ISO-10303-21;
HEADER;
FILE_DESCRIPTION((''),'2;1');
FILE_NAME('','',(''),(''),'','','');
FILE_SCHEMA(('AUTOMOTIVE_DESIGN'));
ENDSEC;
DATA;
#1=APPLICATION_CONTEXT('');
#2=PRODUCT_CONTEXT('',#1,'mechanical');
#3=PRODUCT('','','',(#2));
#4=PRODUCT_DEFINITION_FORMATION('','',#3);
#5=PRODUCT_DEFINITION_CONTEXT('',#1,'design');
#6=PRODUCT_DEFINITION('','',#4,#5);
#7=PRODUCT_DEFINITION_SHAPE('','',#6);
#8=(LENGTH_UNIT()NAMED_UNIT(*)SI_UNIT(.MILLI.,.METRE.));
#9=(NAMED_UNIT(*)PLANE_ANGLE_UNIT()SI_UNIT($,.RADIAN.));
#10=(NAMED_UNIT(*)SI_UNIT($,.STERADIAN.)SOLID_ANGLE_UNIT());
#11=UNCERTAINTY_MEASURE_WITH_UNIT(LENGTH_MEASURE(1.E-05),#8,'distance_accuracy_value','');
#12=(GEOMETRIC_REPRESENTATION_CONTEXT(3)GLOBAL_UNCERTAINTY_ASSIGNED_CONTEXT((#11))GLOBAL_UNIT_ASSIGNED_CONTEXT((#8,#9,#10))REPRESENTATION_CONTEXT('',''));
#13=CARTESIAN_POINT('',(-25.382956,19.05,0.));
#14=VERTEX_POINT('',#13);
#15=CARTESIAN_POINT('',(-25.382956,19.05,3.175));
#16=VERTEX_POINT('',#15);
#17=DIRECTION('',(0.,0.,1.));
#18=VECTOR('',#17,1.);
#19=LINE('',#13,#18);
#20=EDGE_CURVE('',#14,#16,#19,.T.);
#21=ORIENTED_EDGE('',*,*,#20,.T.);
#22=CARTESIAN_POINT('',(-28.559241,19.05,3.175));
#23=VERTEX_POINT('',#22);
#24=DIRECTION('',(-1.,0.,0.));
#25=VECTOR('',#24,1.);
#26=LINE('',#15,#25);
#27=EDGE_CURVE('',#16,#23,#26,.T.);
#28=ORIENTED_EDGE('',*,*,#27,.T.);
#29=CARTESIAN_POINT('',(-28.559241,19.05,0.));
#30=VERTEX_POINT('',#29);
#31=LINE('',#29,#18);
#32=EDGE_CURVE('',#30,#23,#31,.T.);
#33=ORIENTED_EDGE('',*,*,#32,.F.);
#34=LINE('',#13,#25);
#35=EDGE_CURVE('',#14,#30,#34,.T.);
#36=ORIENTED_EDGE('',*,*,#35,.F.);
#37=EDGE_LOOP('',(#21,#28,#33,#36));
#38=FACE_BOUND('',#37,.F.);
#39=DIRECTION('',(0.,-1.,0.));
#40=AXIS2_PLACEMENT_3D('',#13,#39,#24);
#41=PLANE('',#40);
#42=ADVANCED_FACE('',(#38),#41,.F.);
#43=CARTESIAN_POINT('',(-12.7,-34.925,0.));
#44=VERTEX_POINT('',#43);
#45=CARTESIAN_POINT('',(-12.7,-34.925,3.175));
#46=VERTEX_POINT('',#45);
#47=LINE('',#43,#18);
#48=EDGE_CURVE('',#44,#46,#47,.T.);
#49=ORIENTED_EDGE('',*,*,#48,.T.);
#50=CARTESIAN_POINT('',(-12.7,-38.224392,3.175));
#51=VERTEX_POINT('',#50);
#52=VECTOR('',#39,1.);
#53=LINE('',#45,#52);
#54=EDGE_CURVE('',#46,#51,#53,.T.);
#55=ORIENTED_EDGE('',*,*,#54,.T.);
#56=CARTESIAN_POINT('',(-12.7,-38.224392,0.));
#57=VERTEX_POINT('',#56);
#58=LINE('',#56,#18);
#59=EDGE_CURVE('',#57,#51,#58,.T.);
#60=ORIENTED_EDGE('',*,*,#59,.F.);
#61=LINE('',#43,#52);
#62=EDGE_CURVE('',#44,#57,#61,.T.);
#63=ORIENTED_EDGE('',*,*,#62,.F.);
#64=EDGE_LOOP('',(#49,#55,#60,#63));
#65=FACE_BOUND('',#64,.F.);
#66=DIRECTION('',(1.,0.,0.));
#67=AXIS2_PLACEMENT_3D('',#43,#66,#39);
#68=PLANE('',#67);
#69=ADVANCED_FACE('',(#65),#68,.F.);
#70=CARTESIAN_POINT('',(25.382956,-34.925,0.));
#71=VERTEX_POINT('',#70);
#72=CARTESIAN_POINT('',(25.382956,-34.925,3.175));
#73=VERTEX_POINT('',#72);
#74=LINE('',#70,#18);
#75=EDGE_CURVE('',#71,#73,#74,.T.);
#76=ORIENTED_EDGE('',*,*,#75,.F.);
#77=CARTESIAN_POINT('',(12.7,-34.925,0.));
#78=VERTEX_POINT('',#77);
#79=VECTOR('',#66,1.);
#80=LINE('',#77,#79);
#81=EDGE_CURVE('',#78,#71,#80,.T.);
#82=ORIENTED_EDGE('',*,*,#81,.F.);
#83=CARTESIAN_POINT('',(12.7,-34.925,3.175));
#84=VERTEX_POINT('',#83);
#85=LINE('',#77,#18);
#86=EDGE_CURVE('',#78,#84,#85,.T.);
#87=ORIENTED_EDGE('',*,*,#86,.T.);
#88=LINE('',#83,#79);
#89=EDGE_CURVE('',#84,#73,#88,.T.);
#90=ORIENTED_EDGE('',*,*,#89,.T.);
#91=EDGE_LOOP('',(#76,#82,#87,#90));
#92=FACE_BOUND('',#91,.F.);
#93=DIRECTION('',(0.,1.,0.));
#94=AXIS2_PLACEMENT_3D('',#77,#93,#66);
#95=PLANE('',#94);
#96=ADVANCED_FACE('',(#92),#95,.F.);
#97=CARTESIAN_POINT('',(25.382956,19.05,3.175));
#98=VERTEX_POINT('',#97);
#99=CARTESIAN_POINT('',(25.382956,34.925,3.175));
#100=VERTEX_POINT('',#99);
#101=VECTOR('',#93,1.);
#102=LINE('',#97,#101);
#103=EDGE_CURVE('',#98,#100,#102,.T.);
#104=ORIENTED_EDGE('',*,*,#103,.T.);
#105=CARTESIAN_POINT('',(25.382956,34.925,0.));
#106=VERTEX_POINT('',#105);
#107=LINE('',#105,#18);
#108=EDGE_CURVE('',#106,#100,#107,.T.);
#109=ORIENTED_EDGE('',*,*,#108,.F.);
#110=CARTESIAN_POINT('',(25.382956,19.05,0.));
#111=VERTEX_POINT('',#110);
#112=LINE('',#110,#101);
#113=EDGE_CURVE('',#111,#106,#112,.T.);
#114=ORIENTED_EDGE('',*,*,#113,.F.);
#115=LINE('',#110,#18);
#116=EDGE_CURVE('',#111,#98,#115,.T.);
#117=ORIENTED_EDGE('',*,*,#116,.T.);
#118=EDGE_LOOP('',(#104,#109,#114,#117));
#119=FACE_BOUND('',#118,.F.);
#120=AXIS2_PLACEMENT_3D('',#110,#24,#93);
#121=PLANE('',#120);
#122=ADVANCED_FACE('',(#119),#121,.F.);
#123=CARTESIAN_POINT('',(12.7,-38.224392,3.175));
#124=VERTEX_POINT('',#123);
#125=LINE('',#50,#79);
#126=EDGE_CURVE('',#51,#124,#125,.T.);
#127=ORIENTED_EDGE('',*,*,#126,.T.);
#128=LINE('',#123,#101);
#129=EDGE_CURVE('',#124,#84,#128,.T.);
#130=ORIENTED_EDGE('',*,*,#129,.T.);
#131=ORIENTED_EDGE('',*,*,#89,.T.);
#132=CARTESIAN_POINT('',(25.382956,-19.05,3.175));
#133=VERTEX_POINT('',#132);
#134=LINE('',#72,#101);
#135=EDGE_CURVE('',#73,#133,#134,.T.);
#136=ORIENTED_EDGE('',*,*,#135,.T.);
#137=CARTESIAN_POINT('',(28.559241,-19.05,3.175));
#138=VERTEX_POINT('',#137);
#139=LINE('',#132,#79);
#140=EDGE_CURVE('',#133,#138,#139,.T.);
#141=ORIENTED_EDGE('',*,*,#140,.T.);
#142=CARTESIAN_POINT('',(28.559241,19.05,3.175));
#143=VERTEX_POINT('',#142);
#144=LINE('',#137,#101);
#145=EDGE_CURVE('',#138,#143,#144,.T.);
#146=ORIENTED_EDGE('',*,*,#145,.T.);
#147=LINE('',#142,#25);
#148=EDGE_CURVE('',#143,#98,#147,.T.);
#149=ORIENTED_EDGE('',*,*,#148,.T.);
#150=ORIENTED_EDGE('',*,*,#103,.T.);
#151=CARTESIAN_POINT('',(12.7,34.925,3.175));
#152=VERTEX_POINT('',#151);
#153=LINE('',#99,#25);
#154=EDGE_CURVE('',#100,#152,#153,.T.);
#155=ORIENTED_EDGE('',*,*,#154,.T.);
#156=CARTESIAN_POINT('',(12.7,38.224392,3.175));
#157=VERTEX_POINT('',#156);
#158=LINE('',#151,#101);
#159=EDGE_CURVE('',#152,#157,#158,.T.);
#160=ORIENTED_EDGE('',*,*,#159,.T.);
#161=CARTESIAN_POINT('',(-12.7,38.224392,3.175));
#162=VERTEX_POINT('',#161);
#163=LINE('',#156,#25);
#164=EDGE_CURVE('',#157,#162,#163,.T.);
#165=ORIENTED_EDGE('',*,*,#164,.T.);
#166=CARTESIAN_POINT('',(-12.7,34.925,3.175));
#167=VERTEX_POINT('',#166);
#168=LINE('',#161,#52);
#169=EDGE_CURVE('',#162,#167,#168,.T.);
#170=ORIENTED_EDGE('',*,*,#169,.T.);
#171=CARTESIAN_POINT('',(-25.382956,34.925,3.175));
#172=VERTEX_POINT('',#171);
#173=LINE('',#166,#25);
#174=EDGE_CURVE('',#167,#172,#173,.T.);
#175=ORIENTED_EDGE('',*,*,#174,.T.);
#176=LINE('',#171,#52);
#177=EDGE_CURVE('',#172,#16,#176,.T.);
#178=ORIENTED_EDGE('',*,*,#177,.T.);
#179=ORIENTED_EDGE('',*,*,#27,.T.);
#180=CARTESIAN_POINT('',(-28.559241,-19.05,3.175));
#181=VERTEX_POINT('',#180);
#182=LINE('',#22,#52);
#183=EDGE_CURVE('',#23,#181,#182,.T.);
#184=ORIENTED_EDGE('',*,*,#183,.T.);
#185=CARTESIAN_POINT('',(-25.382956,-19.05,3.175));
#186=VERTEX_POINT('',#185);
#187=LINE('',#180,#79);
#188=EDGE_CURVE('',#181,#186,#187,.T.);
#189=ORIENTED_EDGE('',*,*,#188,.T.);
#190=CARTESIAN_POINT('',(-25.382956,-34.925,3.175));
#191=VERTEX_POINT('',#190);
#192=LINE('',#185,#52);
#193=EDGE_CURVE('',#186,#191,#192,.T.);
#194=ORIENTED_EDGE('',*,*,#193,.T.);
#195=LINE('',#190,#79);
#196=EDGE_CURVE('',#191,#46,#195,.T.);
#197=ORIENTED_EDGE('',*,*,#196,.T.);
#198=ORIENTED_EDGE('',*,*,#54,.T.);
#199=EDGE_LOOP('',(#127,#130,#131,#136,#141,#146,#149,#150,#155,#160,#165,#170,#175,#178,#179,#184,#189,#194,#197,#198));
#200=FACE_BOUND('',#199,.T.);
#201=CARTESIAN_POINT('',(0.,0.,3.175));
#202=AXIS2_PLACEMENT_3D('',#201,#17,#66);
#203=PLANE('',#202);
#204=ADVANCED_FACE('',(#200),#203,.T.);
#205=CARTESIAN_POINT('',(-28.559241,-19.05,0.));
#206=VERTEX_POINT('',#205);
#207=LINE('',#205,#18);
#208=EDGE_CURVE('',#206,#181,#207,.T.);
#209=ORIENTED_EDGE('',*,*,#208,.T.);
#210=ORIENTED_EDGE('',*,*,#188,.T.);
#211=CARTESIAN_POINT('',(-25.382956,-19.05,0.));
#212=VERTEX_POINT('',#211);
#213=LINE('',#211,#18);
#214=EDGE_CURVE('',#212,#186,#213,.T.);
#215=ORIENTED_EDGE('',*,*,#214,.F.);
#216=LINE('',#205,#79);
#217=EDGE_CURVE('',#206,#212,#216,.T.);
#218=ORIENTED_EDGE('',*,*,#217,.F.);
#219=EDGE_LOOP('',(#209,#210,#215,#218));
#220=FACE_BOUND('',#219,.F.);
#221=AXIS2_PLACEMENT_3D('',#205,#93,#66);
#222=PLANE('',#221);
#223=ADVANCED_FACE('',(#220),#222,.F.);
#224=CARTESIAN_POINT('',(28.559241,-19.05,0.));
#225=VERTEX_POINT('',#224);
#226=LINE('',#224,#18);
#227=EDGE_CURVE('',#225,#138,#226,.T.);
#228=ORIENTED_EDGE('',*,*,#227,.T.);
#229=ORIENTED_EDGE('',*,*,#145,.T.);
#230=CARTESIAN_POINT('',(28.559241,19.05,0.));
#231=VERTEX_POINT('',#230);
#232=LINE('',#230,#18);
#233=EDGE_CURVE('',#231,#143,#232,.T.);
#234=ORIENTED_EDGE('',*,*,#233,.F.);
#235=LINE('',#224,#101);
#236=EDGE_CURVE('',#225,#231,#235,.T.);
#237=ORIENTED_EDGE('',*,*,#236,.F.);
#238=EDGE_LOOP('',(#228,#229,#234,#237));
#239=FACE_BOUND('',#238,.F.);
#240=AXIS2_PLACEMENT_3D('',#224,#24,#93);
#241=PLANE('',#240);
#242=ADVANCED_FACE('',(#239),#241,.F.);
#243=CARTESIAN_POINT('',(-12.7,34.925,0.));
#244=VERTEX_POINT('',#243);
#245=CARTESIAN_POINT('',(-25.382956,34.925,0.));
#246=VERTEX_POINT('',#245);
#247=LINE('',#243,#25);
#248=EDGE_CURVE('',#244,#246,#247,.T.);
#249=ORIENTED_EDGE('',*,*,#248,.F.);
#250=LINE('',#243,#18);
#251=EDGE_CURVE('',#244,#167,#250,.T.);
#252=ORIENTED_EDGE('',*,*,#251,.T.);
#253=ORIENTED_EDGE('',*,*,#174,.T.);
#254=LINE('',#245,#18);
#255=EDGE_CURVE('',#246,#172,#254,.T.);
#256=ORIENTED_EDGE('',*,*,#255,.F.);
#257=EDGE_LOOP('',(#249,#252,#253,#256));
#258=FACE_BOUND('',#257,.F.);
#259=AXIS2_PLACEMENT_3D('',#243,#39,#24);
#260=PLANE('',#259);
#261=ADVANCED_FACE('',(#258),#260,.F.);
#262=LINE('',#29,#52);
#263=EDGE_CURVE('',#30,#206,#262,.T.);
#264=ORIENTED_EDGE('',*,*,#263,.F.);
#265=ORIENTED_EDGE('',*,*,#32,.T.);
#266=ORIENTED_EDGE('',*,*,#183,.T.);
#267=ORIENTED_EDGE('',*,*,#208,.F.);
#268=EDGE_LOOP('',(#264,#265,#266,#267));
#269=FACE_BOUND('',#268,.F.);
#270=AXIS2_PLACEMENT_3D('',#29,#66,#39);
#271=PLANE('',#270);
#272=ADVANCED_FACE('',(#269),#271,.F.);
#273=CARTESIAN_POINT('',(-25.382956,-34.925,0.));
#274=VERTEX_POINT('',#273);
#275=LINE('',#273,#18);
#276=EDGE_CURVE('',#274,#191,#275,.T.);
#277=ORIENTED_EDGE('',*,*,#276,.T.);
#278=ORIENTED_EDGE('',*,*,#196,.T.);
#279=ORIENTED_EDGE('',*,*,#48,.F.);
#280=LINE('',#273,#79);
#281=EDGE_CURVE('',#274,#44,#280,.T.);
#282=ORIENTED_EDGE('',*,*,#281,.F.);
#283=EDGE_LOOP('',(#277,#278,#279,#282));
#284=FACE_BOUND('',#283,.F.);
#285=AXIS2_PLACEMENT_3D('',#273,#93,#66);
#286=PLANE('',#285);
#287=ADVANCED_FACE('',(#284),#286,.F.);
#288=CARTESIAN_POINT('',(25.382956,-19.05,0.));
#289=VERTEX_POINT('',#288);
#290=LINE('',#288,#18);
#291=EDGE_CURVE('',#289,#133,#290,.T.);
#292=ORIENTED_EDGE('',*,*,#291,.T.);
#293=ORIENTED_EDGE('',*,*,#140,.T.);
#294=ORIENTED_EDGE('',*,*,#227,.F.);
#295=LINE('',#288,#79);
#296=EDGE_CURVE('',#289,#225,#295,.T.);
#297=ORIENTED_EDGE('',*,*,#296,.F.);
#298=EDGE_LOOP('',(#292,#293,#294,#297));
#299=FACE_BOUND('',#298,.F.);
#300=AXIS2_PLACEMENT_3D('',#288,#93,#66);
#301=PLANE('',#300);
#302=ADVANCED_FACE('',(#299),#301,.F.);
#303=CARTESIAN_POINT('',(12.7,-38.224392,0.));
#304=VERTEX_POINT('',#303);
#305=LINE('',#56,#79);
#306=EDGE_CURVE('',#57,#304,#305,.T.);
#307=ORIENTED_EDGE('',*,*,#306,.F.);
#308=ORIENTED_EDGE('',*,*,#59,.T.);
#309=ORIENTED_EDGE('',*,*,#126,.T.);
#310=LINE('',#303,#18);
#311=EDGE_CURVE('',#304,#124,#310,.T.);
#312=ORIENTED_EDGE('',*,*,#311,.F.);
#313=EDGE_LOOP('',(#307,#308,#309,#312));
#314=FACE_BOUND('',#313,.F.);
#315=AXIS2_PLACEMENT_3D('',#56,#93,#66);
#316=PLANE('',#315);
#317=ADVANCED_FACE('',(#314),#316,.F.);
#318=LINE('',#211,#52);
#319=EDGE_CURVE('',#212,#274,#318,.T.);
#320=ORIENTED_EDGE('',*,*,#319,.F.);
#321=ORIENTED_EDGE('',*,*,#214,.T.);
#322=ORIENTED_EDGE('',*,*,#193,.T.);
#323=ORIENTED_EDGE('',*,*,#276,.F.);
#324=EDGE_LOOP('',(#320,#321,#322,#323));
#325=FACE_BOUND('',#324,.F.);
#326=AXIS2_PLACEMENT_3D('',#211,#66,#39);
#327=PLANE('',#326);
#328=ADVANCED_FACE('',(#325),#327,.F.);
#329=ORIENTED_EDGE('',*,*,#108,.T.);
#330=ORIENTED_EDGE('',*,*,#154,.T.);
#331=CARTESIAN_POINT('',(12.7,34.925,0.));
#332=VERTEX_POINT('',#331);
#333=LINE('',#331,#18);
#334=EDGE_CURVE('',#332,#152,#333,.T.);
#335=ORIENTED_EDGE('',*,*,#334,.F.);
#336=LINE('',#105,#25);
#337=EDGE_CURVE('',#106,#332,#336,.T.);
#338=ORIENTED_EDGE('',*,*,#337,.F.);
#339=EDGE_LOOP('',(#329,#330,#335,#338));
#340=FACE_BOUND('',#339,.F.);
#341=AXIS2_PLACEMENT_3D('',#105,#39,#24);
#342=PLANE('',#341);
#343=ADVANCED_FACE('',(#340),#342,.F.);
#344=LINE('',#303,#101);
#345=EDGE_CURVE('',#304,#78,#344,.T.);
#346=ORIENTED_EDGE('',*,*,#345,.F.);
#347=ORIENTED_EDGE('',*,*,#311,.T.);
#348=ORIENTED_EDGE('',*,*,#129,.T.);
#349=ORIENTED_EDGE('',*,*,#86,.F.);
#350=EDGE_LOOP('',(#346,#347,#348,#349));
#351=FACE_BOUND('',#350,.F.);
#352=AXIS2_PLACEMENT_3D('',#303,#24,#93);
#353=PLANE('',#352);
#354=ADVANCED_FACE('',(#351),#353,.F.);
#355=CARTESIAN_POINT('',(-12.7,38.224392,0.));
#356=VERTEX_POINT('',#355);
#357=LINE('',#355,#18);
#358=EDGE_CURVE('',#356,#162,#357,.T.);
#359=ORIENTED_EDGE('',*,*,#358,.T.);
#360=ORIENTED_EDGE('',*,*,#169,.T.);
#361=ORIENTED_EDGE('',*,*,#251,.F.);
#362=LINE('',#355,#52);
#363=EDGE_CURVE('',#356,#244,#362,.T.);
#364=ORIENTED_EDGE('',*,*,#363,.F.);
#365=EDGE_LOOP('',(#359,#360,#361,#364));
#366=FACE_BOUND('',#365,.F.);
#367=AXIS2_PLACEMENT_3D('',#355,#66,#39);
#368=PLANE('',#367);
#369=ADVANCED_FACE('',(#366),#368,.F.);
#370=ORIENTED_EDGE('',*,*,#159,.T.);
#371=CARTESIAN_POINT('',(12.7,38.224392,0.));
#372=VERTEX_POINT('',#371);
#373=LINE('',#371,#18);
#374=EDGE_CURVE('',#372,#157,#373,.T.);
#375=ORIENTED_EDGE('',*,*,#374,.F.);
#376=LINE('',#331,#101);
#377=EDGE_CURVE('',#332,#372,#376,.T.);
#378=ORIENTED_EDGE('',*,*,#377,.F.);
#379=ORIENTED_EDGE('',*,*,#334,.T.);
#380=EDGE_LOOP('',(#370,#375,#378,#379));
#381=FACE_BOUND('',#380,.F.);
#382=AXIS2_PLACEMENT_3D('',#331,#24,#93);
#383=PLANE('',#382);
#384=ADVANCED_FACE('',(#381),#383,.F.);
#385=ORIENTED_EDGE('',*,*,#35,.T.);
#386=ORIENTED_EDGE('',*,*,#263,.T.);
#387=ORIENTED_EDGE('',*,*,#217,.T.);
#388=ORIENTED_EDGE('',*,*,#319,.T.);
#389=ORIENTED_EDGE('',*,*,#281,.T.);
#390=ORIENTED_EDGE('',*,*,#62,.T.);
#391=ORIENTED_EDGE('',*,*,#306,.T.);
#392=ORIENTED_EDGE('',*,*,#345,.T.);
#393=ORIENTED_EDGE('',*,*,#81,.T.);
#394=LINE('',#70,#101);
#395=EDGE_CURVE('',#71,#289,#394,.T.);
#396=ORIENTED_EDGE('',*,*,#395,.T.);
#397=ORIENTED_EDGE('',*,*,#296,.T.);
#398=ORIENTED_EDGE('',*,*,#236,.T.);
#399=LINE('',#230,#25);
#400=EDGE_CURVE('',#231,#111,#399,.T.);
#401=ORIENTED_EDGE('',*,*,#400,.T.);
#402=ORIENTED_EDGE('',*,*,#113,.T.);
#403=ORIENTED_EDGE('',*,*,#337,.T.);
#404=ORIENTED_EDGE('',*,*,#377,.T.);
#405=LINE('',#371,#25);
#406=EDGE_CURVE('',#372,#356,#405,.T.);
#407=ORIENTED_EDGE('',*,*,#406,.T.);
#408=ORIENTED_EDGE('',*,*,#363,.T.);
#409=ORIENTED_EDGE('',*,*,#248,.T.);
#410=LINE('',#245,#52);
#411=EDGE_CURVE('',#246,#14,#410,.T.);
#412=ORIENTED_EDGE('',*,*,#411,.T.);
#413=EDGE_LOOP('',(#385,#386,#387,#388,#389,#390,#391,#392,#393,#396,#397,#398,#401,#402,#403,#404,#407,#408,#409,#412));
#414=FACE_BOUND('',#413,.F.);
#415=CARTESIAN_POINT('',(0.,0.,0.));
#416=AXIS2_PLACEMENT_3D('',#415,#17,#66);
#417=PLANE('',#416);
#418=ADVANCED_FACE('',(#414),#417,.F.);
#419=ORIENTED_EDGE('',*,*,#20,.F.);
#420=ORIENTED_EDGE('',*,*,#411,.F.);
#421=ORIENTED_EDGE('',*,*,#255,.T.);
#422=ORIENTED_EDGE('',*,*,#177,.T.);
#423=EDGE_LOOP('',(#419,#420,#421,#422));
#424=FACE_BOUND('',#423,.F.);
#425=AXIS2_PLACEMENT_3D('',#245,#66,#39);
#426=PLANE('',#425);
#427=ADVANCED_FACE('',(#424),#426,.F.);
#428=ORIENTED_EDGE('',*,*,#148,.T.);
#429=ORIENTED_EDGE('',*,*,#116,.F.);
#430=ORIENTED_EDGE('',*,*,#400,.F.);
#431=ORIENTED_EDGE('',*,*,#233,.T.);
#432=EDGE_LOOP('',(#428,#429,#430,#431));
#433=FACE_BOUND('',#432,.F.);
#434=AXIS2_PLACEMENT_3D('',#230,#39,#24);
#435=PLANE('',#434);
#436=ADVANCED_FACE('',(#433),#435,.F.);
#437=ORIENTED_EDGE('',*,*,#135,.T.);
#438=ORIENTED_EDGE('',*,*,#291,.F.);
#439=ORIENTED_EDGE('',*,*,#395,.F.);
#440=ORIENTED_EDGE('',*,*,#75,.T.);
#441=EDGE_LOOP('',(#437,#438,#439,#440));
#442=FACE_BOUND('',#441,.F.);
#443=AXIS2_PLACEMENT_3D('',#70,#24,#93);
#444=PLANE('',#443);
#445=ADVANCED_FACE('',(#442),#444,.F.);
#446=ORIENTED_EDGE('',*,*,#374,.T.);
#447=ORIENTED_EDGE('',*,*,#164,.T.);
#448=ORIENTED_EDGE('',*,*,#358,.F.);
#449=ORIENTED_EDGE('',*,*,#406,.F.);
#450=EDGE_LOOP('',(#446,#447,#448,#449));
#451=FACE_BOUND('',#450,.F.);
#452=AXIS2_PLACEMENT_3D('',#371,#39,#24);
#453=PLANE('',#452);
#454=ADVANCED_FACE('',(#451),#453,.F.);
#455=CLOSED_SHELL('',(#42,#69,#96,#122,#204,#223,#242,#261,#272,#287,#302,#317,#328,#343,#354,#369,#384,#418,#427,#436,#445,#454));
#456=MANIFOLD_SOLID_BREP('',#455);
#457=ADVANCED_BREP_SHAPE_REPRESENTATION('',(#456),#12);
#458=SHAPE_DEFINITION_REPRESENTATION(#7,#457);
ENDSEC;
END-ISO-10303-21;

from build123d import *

# Parameters (mm, degrees)
F1_DEPTH = 3.175


with BuildPart() as f1:
    # F0 (on Top) → F1 (new body)
    with BuildSketch(Plane.XY):
        Polygon((25.382956, 19.05), (25.382956, 34.925), (12.7, 34.925), (12.7, 38.224392), (-12.7, 38.224392), (-12.7, 34.925), (-25.382956, 34.925), (-25.382956, 19.05), (-28.559241, 19.05), (-28.559241, -19.05), (-25.382956, -19.05), (-25.382956, -34.925), (-12.7, -34.925), (-12.7, -38.224392), (12.7, -38.224392), (12.7, -34.925), (25.382956, -34.925), (25.382956, -19.05), (28.559241, -19.05), (28.559241, 19.05), align=None)
    extrude(amount=F1_DEPTH)


solid = f1.part
